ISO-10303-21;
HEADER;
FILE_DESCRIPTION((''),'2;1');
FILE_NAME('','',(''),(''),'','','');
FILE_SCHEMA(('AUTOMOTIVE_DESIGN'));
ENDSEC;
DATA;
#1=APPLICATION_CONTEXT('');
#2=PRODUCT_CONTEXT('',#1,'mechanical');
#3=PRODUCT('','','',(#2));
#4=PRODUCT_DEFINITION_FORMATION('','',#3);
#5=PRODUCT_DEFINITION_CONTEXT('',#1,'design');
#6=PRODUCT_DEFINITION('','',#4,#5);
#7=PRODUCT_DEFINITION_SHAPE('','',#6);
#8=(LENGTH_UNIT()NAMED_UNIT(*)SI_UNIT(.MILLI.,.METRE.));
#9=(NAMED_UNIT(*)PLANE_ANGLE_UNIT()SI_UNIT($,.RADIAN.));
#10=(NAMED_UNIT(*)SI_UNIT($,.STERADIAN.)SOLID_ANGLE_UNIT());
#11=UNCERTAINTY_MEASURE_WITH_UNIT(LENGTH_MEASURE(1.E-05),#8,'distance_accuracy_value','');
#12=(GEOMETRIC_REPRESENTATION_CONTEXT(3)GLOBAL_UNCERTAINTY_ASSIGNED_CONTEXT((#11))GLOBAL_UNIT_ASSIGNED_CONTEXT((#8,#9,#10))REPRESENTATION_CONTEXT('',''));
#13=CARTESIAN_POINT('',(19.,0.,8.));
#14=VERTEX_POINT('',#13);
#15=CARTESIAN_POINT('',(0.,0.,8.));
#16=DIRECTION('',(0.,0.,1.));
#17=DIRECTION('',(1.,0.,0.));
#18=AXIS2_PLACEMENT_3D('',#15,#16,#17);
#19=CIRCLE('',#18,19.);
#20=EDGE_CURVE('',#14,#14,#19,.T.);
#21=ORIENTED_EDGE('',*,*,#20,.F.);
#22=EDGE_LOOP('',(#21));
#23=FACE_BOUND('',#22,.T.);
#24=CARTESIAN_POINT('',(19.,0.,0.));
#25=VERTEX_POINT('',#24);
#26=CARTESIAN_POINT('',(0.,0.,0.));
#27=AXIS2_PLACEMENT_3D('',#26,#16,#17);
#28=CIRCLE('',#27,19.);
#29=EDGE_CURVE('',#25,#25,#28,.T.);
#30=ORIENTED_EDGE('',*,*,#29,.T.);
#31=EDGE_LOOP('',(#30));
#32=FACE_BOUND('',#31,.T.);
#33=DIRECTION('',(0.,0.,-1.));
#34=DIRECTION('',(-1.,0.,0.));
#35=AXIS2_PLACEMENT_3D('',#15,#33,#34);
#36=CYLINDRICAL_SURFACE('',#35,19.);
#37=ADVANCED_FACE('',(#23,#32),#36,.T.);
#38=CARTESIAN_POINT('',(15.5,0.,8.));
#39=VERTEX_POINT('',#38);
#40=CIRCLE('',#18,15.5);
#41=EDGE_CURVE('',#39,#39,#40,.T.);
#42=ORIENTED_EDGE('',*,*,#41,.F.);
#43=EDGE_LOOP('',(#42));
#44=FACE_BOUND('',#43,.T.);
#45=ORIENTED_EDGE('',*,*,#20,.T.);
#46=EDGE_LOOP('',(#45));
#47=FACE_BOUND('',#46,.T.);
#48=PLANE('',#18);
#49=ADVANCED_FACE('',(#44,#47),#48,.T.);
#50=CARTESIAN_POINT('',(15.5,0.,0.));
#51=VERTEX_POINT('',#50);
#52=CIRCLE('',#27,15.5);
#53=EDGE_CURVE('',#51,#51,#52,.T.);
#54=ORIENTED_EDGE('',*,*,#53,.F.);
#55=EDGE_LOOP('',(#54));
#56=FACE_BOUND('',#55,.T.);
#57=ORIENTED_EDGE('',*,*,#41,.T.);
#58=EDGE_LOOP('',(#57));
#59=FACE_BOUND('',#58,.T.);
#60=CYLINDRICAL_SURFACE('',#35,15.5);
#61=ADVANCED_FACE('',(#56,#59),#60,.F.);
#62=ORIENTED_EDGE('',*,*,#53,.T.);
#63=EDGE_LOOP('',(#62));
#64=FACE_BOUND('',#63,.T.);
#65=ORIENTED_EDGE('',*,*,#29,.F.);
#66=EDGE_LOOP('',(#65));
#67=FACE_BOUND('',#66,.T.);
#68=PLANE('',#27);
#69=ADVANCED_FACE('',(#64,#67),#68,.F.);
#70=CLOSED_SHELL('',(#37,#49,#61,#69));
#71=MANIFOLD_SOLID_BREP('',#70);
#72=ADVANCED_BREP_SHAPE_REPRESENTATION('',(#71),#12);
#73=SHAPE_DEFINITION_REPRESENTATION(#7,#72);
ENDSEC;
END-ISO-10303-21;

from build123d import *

# Parameters (mm, degrees)
ESQUISSE1_R        = 19
ESQUISSE1_R_2      = 15.5
BOSS_EXTRU_1_DEPTH = 8


with BuildPart() as part:
    # Esquisse1 → Boss.-Extru.1 (new body)
    with BuildSketch(Plane.XY):
        Circle(ESQUISSE1_R)
        Circle(ESQUISSE1_R_2, mode=Mode.SUBTRACT)
    extrude(amount=BOSS_EXTRU_1_DEPTH)


solid = part.part
